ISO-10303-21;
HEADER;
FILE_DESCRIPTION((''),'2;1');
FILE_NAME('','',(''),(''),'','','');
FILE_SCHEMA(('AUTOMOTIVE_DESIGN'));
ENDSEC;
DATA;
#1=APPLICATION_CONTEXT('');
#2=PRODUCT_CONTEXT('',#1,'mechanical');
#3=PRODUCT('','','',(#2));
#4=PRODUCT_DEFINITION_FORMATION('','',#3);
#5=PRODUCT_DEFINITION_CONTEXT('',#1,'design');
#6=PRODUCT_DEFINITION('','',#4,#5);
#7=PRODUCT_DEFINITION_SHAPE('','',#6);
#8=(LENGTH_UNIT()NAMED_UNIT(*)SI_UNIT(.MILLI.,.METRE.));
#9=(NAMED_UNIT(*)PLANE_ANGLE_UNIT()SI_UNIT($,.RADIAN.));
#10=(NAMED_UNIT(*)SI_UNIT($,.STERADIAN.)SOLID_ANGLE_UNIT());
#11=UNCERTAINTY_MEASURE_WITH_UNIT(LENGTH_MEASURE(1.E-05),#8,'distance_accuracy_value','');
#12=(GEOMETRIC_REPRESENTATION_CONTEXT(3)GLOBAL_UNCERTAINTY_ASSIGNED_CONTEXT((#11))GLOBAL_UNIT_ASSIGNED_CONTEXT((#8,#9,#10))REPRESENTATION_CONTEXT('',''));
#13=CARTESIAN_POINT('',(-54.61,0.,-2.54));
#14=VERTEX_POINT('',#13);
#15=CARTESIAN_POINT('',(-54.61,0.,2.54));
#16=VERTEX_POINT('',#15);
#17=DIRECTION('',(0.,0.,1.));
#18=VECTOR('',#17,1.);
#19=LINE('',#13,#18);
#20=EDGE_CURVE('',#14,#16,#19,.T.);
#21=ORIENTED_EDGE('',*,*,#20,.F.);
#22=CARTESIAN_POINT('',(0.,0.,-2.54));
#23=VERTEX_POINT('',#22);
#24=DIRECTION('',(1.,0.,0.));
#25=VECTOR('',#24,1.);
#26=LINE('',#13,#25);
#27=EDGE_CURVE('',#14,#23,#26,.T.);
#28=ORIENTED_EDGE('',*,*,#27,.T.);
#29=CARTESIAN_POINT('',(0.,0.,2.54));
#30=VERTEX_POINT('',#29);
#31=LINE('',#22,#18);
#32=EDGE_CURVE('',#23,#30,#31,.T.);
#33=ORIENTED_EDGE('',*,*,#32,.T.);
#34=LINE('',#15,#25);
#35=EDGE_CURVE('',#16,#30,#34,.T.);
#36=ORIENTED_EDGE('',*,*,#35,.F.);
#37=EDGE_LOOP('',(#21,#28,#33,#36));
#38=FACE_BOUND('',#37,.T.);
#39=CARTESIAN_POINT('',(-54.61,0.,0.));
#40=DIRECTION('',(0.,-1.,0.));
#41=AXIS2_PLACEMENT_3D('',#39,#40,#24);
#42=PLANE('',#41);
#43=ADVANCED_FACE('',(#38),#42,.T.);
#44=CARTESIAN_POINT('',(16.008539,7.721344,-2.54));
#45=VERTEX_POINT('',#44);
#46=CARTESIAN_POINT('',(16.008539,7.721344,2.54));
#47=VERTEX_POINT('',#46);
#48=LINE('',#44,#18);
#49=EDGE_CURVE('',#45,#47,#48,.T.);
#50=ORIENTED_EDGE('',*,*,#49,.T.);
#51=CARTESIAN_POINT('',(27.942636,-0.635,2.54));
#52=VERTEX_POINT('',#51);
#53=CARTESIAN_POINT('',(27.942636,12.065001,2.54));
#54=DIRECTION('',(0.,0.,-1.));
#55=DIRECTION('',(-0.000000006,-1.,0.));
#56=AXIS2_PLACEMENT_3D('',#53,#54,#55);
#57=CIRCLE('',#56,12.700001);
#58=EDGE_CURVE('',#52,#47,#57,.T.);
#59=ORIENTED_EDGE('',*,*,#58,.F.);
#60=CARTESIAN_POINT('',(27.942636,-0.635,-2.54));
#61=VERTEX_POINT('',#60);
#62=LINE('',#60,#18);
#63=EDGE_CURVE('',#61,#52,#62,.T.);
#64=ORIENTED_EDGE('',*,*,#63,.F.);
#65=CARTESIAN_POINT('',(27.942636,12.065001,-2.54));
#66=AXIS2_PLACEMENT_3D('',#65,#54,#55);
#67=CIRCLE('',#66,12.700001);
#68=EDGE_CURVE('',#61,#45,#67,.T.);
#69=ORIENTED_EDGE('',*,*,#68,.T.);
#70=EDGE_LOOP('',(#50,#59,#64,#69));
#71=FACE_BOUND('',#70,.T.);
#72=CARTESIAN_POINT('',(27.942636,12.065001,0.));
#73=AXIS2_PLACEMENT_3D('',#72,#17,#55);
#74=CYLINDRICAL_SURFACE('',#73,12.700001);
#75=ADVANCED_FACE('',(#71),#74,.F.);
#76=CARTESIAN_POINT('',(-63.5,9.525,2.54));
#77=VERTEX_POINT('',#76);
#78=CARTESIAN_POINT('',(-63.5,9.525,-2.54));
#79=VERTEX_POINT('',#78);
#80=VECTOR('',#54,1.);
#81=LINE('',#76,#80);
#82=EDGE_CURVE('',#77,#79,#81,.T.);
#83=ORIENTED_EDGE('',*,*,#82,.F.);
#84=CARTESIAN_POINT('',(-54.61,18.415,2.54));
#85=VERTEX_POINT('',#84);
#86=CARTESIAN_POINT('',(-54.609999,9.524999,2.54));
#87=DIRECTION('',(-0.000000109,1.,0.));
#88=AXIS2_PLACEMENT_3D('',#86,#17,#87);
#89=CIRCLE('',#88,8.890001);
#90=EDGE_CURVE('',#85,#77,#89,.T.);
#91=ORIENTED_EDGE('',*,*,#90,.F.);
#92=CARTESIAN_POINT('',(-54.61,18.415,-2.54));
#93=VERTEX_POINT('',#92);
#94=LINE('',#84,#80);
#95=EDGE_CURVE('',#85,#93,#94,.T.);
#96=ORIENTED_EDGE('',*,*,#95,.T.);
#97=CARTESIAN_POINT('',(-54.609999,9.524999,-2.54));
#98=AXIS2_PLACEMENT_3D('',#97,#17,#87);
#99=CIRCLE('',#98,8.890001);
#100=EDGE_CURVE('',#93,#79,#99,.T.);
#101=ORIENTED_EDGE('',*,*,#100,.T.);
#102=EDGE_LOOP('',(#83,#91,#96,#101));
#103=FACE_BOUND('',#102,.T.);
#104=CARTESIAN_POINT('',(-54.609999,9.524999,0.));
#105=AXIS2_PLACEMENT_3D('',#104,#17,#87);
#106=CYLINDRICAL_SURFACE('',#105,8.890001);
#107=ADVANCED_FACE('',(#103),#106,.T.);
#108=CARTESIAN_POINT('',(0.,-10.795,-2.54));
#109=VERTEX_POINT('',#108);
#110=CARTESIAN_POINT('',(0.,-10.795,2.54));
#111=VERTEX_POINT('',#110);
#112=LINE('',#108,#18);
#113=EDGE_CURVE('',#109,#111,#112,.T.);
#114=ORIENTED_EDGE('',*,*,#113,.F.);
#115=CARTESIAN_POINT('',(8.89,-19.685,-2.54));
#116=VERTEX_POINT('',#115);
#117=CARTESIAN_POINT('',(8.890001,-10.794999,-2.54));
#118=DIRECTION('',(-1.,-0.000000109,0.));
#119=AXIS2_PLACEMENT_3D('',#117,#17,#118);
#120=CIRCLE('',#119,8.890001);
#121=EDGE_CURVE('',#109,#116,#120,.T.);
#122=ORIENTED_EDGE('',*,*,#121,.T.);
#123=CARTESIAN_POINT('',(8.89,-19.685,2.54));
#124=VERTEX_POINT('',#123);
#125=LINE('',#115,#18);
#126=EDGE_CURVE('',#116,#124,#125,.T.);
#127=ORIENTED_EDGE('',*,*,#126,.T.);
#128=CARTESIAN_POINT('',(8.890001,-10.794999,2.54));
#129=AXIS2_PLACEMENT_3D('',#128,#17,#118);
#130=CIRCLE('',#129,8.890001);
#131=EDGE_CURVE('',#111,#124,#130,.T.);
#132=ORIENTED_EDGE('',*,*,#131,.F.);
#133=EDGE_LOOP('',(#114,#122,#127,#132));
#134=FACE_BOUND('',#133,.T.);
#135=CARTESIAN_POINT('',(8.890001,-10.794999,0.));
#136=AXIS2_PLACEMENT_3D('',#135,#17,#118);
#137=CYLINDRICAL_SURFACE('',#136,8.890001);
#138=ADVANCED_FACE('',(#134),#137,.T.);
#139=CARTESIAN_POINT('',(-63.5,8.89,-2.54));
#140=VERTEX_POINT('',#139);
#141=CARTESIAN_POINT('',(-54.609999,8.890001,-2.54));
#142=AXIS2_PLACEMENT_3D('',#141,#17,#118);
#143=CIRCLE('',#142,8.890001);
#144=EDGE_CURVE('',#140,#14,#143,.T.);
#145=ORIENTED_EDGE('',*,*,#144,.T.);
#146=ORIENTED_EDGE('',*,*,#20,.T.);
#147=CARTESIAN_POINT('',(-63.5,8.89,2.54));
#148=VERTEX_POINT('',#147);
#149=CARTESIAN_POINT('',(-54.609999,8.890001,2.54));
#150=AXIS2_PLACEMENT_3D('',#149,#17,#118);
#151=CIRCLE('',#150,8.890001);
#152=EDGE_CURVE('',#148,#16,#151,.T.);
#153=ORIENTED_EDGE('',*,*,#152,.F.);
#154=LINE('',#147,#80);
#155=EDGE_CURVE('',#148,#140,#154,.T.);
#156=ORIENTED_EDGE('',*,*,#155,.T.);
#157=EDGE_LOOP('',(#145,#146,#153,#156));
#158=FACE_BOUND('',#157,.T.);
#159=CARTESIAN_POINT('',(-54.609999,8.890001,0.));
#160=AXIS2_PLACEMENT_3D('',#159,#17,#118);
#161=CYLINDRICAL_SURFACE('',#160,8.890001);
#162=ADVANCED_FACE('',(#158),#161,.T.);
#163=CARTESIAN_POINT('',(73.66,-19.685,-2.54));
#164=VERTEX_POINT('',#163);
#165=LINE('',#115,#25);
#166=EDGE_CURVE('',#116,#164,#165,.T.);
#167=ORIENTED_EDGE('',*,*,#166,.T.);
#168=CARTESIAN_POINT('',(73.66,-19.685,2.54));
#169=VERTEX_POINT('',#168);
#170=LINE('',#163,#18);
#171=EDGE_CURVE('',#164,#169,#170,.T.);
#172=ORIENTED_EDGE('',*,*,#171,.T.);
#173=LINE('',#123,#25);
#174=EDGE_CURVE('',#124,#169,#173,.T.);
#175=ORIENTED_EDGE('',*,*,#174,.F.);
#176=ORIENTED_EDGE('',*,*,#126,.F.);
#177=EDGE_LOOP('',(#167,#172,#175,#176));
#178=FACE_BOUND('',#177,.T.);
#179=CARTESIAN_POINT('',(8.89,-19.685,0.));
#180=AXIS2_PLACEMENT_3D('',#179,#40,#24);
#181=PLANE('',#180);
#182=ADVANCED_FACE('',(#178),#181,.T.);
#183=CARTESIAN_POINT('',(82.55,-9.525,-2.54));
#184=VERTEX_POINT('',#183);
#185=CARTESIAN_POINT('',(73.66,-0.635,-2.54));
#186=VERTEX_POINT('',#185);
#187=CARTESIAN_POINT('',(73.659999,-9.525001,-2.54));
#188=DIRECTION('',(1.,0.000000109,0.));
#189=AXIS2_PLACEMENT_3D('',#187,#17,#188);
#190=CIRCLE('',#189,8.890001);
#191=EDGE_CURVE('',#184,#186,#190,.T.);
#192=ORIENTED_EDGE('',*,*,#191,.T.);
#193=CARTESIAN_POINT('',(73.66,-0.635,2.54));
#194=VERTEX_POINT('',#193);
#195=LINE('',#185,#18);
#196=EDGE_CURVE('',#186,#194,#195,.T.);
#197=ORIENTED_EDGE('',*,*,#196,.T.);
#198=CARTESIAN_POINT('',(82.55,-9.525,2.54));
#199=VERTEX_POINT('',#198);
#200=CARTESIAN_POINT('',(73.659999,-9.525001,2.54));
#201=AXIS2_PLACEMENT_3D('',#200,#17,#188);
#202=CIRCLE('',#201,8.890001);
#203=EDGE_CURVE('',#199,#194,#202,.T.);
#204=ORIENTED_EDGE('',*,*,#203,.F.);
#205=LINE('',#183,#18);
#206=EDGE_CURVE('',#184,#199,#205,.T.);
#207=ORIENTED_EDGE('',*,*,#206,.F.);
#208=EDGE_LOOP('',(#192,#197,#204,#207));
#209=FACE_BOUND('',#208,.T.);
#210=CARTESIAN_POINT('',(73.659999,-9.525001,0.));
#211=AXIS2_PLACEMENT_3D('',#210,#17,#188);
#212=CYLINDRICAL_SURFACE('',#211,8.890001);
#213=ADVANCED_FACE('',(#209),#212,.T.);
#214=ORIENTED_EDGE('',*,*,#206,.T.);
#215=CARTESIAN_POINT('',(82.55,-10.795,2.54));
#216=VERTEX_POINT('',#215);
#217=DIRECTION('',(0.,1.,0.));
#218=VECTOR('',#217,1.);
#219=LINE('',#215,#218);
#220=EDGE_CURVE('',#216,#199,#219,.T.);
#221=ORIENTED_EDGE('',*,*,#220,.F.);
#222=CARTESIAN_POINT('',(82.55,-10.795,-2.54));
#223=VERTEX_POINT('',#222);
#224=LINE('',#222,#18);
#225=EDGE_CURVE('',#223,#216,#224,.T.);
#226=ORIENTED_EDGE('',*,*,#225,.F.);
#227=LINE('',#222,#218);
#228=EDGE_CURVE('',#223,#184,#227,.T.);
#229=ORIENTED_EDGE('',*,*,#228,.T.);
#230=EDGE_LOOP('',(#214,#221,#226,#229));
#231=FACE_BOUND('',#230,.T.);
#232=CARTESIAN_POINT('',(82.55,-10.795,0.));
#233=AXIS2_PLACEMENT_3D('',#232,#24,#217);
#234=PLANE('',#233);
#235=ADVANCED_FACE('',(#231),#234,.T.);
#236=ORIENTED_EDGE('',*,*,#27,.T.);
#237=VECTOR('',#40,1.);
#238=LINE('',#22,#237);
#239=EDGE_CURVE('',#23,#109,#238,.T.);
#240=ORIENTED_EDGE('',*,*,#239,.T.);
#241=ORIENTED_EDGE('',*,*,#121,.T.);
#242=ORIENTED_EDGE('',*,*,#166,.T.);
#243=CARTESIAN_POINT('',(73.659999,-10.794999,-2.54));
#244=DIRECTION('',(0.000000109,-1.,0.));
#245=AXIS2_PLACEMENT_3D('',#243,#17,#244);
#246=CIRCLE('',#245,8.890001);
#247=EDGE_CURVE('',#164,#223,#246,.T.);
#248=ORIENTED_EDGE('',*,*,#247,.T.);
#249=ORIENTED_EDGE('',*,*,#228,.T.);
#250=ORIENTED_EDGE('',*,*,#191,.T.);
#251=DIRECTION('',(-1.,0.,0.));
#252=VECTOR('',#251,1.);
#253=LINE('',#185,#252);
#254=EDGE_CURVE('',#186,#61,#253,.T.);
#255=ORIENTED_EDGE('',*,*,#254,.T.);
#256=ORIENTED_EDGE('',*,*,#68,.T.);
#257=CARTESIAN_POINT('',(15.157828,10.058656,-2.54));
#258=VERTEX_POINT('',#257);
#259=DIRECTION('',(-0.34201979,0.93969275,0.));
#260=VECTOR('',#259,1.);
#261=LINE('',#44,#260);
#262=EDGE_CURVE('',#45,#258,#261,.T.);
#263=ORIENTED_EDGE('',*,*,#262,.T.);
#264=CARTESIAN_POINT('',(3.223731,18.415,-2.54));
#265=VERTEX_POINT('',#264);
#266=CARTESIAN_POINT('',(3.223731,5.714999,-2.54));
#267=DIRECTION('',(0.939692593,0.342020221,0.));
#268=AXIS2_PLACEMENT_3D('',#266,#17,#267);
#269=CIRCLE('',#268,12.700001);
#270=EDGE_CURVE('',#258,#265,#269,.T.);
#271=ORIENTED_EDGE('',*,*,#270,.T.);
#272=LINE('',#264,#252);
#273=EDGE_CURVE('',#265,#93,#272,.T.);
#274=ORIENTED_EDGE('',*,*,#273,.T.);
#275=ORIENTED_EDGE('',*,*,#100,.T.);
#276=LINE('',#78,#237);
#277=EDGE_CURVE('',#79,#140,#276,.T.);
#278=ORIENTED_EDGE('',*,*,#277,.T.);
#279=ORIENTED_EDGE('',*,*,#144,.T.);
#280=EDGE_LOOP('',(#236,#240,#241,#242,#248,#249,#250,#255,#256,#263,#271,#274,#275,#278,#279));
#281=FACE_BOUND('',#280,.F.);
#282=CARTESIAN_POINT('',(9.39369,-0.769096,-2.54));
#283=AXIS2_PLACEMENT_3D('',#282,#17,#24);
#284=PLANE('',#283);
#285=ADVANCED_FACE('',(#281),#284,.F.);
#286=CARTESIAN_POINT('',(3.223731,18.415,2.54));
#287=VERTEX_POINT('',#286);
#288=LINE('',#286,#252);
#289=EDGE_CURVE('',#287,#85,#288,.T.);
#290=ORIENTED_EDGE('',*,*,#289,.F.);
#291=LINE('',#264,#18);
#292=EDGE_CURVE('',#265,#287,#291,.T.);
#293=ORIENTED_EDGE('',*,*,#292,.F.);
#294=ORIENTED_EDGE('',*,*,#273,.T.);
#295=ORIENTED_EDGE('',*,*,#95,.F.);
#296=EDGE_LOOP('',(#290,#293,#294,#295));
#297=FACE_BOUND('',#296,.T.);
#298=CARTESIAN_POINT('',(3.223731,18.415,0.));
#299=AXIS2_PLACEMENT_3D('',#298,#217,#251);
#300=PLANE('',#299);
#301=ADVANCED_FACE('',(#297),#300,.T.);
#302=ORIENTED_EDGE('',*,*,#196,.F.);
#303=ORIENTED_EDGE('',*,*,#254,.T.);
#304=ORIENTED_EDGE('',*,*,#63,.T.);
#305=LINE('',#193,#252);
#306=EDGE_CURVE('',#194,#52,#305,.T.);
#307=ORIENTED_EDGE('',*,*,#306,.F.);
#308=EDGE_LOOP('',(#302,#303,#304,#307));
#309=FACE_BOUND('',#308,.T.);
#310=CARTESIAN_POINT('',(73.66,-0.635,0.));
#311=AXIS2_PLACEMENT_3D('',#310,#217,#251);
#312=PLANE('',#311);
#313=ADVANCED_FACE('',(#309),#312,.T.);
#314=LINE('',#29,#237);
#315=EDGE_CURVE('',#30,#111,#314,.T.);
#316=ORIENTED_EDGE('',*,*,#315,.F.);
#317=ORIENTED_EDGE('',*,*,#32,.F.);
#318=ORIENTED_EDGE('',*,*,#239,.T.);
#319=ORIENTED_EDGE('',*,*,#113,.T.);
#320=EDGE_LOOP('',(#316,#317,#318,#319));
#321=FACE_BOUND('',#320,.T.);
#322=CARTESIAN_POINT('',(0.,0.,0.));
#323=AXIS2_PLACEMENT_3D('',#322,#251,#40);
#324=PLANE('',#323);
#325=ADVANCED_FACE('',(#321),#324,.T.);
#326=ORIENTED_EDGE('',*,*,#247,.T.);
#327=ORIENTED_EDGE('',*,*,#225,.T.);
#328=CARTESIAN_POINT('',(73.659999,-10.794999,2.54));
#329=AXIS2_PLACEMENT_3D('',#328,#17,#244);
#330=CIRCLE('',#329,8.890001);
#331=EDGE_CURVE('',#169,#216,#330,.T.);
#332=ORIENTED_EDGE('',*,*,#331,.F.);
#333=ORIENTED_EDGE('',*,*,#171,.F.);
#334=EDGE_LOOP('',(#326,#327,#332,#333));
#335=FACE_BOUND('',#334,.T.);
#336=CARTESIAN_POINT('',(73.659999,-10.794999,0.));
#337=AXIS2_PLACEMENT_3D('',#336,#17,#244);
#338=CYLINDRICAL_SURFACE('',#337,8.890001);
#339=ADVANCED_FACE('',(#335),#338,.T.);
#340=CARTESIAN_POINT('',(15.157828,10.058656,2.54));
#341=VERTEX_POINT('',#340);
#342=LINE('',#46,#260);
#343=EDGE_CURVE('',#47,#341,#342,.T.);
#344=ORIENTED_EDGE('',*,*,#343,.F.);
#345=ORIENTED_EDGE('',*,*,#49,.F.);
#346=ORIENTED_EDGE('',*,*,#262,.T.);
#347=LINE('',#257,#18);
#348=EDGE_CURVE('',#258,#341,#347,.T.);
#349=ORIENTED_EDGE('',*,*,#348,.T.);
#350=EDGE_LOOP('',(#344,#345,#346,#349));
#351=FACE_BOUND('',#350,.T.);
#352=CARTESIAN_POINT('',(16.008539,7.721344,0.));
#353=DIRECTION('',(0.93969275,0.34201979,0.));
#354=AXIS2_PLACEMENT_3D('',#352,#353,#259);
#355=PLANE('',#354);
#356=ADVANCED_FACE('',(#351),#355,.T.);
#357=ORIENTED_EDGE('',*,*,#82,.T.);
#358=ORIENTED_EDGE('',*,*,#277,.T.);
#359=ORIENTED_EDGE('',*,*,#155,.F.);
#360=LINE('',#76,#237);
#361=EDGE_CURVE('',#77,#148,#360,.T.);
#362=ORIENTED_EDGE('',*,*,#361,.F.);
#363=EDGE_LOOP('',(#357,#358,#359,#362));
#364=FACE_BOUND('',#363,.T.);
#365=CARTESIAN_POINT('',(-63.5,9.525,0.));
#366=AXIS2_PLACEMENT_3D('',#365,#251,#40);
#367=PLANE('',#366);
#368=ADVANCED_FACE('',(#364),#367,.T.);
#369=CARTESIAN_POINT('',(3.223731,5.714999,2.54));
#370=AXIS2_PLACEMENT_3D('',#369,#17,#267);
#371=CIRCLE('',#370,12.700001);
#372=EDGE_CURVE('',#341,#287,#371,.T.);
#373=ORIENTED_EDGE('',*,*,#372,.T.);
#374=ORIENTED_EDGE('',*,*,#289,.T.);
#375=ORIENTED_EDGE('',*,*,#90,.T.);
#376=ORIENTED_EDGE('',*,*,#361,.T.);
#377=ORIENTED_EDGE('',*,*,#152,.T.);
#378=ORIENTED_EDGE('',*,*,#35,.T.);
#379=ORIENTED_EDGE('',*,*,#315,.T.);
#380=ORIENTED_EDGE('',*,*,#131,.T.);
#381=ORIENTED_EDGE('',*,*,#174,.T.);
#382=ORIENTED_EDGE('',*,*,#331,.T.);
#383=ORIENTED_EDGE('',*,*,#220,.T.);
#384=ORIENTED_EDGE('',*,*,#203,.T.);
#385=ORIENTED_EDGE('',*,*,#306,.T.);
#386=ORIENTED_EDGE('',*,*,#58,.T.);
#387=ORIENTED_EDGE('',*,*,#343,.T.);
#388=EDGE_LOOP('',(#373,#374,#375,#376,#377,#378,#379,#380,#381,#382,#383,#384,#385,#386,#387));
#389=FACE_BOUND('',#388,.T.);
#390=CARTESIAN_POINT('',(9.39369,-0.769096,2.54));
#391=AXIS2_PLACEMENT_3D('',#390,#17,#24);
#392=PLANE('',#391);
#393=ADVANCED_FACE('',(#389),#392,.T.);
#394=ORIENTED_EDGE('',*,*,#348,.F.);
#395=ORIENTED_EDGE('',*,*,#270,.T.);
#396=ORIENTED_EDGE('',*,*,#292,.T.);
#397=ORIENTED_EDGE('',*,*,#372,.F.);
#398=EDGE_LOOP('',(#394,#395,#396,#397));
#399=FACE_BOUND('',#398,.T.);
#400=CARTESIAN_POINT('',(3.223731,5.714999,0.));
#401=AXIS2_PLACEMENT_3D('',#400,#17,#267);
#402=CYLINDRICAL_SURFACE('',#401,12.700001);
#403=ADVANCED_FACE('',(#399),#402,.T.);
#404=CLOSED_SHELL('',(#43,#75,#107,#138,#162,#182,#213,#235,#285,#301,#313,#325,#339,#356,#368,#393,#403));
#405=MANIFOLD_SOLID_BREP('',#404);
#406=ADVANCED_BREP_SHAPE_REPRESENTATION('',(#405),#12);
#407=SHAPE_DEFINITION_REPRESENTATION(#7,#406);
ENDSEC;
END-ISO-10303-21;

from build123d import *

# Parameters (mm, degrees)
F1_DEPTH = 2.54


with BuildPart() as f1:
    # F0 (on Top) → F1 (new body, symmetric)
    with BuildSketch(Plane.XY):
        with BuildLine():
            ThreePointArc((-63.5, 8.89), (-60.896179, 2.603821), (-54.61, 0))
            Line((-54.61, 0), (0, 0))
            Line((0, 0), (0, -10.795))
            ThreePointArc((0, -10.795), (2.603821, -17.081179), (8.89, -19.685))
            Line((8.89, -19.685), (73.66, -19.685))
            ThreePointArc((73.66, -19.685), (79.946179, -17.081179), (82.55, -10.795))
            Line((82.55, -10.795), (82.55, -9.525))
            ThreePointArc((82.55, -9.525), (79.946179, -3.238821), (73.66, -0.635))
            Line((73.66, -0.635), (27.942636, -0.635))
            ThreePointArc((27.942636, -0.635), (20.658215, 1.661769), (16.008539, 7.721344))
            Line((16.008539, 7.721344), (15.157828, 10.058656))
            ThreePointArc((15.157828, 10.058656), (10.508152, 16.118231), (3.223731, 18.415))
            Line((3.223731, 18.415), (-54.61, 18.415))
            ThreePointArc((-54.61, 18.415), (-60.896179, 15.811179), (-63.5, 9.525))
            Line((-63.5, 9.525), (-63.5, 8.89))
        make_face()
    extrude(amount=F1_DEPTH, both=True)


solid = f1.part
